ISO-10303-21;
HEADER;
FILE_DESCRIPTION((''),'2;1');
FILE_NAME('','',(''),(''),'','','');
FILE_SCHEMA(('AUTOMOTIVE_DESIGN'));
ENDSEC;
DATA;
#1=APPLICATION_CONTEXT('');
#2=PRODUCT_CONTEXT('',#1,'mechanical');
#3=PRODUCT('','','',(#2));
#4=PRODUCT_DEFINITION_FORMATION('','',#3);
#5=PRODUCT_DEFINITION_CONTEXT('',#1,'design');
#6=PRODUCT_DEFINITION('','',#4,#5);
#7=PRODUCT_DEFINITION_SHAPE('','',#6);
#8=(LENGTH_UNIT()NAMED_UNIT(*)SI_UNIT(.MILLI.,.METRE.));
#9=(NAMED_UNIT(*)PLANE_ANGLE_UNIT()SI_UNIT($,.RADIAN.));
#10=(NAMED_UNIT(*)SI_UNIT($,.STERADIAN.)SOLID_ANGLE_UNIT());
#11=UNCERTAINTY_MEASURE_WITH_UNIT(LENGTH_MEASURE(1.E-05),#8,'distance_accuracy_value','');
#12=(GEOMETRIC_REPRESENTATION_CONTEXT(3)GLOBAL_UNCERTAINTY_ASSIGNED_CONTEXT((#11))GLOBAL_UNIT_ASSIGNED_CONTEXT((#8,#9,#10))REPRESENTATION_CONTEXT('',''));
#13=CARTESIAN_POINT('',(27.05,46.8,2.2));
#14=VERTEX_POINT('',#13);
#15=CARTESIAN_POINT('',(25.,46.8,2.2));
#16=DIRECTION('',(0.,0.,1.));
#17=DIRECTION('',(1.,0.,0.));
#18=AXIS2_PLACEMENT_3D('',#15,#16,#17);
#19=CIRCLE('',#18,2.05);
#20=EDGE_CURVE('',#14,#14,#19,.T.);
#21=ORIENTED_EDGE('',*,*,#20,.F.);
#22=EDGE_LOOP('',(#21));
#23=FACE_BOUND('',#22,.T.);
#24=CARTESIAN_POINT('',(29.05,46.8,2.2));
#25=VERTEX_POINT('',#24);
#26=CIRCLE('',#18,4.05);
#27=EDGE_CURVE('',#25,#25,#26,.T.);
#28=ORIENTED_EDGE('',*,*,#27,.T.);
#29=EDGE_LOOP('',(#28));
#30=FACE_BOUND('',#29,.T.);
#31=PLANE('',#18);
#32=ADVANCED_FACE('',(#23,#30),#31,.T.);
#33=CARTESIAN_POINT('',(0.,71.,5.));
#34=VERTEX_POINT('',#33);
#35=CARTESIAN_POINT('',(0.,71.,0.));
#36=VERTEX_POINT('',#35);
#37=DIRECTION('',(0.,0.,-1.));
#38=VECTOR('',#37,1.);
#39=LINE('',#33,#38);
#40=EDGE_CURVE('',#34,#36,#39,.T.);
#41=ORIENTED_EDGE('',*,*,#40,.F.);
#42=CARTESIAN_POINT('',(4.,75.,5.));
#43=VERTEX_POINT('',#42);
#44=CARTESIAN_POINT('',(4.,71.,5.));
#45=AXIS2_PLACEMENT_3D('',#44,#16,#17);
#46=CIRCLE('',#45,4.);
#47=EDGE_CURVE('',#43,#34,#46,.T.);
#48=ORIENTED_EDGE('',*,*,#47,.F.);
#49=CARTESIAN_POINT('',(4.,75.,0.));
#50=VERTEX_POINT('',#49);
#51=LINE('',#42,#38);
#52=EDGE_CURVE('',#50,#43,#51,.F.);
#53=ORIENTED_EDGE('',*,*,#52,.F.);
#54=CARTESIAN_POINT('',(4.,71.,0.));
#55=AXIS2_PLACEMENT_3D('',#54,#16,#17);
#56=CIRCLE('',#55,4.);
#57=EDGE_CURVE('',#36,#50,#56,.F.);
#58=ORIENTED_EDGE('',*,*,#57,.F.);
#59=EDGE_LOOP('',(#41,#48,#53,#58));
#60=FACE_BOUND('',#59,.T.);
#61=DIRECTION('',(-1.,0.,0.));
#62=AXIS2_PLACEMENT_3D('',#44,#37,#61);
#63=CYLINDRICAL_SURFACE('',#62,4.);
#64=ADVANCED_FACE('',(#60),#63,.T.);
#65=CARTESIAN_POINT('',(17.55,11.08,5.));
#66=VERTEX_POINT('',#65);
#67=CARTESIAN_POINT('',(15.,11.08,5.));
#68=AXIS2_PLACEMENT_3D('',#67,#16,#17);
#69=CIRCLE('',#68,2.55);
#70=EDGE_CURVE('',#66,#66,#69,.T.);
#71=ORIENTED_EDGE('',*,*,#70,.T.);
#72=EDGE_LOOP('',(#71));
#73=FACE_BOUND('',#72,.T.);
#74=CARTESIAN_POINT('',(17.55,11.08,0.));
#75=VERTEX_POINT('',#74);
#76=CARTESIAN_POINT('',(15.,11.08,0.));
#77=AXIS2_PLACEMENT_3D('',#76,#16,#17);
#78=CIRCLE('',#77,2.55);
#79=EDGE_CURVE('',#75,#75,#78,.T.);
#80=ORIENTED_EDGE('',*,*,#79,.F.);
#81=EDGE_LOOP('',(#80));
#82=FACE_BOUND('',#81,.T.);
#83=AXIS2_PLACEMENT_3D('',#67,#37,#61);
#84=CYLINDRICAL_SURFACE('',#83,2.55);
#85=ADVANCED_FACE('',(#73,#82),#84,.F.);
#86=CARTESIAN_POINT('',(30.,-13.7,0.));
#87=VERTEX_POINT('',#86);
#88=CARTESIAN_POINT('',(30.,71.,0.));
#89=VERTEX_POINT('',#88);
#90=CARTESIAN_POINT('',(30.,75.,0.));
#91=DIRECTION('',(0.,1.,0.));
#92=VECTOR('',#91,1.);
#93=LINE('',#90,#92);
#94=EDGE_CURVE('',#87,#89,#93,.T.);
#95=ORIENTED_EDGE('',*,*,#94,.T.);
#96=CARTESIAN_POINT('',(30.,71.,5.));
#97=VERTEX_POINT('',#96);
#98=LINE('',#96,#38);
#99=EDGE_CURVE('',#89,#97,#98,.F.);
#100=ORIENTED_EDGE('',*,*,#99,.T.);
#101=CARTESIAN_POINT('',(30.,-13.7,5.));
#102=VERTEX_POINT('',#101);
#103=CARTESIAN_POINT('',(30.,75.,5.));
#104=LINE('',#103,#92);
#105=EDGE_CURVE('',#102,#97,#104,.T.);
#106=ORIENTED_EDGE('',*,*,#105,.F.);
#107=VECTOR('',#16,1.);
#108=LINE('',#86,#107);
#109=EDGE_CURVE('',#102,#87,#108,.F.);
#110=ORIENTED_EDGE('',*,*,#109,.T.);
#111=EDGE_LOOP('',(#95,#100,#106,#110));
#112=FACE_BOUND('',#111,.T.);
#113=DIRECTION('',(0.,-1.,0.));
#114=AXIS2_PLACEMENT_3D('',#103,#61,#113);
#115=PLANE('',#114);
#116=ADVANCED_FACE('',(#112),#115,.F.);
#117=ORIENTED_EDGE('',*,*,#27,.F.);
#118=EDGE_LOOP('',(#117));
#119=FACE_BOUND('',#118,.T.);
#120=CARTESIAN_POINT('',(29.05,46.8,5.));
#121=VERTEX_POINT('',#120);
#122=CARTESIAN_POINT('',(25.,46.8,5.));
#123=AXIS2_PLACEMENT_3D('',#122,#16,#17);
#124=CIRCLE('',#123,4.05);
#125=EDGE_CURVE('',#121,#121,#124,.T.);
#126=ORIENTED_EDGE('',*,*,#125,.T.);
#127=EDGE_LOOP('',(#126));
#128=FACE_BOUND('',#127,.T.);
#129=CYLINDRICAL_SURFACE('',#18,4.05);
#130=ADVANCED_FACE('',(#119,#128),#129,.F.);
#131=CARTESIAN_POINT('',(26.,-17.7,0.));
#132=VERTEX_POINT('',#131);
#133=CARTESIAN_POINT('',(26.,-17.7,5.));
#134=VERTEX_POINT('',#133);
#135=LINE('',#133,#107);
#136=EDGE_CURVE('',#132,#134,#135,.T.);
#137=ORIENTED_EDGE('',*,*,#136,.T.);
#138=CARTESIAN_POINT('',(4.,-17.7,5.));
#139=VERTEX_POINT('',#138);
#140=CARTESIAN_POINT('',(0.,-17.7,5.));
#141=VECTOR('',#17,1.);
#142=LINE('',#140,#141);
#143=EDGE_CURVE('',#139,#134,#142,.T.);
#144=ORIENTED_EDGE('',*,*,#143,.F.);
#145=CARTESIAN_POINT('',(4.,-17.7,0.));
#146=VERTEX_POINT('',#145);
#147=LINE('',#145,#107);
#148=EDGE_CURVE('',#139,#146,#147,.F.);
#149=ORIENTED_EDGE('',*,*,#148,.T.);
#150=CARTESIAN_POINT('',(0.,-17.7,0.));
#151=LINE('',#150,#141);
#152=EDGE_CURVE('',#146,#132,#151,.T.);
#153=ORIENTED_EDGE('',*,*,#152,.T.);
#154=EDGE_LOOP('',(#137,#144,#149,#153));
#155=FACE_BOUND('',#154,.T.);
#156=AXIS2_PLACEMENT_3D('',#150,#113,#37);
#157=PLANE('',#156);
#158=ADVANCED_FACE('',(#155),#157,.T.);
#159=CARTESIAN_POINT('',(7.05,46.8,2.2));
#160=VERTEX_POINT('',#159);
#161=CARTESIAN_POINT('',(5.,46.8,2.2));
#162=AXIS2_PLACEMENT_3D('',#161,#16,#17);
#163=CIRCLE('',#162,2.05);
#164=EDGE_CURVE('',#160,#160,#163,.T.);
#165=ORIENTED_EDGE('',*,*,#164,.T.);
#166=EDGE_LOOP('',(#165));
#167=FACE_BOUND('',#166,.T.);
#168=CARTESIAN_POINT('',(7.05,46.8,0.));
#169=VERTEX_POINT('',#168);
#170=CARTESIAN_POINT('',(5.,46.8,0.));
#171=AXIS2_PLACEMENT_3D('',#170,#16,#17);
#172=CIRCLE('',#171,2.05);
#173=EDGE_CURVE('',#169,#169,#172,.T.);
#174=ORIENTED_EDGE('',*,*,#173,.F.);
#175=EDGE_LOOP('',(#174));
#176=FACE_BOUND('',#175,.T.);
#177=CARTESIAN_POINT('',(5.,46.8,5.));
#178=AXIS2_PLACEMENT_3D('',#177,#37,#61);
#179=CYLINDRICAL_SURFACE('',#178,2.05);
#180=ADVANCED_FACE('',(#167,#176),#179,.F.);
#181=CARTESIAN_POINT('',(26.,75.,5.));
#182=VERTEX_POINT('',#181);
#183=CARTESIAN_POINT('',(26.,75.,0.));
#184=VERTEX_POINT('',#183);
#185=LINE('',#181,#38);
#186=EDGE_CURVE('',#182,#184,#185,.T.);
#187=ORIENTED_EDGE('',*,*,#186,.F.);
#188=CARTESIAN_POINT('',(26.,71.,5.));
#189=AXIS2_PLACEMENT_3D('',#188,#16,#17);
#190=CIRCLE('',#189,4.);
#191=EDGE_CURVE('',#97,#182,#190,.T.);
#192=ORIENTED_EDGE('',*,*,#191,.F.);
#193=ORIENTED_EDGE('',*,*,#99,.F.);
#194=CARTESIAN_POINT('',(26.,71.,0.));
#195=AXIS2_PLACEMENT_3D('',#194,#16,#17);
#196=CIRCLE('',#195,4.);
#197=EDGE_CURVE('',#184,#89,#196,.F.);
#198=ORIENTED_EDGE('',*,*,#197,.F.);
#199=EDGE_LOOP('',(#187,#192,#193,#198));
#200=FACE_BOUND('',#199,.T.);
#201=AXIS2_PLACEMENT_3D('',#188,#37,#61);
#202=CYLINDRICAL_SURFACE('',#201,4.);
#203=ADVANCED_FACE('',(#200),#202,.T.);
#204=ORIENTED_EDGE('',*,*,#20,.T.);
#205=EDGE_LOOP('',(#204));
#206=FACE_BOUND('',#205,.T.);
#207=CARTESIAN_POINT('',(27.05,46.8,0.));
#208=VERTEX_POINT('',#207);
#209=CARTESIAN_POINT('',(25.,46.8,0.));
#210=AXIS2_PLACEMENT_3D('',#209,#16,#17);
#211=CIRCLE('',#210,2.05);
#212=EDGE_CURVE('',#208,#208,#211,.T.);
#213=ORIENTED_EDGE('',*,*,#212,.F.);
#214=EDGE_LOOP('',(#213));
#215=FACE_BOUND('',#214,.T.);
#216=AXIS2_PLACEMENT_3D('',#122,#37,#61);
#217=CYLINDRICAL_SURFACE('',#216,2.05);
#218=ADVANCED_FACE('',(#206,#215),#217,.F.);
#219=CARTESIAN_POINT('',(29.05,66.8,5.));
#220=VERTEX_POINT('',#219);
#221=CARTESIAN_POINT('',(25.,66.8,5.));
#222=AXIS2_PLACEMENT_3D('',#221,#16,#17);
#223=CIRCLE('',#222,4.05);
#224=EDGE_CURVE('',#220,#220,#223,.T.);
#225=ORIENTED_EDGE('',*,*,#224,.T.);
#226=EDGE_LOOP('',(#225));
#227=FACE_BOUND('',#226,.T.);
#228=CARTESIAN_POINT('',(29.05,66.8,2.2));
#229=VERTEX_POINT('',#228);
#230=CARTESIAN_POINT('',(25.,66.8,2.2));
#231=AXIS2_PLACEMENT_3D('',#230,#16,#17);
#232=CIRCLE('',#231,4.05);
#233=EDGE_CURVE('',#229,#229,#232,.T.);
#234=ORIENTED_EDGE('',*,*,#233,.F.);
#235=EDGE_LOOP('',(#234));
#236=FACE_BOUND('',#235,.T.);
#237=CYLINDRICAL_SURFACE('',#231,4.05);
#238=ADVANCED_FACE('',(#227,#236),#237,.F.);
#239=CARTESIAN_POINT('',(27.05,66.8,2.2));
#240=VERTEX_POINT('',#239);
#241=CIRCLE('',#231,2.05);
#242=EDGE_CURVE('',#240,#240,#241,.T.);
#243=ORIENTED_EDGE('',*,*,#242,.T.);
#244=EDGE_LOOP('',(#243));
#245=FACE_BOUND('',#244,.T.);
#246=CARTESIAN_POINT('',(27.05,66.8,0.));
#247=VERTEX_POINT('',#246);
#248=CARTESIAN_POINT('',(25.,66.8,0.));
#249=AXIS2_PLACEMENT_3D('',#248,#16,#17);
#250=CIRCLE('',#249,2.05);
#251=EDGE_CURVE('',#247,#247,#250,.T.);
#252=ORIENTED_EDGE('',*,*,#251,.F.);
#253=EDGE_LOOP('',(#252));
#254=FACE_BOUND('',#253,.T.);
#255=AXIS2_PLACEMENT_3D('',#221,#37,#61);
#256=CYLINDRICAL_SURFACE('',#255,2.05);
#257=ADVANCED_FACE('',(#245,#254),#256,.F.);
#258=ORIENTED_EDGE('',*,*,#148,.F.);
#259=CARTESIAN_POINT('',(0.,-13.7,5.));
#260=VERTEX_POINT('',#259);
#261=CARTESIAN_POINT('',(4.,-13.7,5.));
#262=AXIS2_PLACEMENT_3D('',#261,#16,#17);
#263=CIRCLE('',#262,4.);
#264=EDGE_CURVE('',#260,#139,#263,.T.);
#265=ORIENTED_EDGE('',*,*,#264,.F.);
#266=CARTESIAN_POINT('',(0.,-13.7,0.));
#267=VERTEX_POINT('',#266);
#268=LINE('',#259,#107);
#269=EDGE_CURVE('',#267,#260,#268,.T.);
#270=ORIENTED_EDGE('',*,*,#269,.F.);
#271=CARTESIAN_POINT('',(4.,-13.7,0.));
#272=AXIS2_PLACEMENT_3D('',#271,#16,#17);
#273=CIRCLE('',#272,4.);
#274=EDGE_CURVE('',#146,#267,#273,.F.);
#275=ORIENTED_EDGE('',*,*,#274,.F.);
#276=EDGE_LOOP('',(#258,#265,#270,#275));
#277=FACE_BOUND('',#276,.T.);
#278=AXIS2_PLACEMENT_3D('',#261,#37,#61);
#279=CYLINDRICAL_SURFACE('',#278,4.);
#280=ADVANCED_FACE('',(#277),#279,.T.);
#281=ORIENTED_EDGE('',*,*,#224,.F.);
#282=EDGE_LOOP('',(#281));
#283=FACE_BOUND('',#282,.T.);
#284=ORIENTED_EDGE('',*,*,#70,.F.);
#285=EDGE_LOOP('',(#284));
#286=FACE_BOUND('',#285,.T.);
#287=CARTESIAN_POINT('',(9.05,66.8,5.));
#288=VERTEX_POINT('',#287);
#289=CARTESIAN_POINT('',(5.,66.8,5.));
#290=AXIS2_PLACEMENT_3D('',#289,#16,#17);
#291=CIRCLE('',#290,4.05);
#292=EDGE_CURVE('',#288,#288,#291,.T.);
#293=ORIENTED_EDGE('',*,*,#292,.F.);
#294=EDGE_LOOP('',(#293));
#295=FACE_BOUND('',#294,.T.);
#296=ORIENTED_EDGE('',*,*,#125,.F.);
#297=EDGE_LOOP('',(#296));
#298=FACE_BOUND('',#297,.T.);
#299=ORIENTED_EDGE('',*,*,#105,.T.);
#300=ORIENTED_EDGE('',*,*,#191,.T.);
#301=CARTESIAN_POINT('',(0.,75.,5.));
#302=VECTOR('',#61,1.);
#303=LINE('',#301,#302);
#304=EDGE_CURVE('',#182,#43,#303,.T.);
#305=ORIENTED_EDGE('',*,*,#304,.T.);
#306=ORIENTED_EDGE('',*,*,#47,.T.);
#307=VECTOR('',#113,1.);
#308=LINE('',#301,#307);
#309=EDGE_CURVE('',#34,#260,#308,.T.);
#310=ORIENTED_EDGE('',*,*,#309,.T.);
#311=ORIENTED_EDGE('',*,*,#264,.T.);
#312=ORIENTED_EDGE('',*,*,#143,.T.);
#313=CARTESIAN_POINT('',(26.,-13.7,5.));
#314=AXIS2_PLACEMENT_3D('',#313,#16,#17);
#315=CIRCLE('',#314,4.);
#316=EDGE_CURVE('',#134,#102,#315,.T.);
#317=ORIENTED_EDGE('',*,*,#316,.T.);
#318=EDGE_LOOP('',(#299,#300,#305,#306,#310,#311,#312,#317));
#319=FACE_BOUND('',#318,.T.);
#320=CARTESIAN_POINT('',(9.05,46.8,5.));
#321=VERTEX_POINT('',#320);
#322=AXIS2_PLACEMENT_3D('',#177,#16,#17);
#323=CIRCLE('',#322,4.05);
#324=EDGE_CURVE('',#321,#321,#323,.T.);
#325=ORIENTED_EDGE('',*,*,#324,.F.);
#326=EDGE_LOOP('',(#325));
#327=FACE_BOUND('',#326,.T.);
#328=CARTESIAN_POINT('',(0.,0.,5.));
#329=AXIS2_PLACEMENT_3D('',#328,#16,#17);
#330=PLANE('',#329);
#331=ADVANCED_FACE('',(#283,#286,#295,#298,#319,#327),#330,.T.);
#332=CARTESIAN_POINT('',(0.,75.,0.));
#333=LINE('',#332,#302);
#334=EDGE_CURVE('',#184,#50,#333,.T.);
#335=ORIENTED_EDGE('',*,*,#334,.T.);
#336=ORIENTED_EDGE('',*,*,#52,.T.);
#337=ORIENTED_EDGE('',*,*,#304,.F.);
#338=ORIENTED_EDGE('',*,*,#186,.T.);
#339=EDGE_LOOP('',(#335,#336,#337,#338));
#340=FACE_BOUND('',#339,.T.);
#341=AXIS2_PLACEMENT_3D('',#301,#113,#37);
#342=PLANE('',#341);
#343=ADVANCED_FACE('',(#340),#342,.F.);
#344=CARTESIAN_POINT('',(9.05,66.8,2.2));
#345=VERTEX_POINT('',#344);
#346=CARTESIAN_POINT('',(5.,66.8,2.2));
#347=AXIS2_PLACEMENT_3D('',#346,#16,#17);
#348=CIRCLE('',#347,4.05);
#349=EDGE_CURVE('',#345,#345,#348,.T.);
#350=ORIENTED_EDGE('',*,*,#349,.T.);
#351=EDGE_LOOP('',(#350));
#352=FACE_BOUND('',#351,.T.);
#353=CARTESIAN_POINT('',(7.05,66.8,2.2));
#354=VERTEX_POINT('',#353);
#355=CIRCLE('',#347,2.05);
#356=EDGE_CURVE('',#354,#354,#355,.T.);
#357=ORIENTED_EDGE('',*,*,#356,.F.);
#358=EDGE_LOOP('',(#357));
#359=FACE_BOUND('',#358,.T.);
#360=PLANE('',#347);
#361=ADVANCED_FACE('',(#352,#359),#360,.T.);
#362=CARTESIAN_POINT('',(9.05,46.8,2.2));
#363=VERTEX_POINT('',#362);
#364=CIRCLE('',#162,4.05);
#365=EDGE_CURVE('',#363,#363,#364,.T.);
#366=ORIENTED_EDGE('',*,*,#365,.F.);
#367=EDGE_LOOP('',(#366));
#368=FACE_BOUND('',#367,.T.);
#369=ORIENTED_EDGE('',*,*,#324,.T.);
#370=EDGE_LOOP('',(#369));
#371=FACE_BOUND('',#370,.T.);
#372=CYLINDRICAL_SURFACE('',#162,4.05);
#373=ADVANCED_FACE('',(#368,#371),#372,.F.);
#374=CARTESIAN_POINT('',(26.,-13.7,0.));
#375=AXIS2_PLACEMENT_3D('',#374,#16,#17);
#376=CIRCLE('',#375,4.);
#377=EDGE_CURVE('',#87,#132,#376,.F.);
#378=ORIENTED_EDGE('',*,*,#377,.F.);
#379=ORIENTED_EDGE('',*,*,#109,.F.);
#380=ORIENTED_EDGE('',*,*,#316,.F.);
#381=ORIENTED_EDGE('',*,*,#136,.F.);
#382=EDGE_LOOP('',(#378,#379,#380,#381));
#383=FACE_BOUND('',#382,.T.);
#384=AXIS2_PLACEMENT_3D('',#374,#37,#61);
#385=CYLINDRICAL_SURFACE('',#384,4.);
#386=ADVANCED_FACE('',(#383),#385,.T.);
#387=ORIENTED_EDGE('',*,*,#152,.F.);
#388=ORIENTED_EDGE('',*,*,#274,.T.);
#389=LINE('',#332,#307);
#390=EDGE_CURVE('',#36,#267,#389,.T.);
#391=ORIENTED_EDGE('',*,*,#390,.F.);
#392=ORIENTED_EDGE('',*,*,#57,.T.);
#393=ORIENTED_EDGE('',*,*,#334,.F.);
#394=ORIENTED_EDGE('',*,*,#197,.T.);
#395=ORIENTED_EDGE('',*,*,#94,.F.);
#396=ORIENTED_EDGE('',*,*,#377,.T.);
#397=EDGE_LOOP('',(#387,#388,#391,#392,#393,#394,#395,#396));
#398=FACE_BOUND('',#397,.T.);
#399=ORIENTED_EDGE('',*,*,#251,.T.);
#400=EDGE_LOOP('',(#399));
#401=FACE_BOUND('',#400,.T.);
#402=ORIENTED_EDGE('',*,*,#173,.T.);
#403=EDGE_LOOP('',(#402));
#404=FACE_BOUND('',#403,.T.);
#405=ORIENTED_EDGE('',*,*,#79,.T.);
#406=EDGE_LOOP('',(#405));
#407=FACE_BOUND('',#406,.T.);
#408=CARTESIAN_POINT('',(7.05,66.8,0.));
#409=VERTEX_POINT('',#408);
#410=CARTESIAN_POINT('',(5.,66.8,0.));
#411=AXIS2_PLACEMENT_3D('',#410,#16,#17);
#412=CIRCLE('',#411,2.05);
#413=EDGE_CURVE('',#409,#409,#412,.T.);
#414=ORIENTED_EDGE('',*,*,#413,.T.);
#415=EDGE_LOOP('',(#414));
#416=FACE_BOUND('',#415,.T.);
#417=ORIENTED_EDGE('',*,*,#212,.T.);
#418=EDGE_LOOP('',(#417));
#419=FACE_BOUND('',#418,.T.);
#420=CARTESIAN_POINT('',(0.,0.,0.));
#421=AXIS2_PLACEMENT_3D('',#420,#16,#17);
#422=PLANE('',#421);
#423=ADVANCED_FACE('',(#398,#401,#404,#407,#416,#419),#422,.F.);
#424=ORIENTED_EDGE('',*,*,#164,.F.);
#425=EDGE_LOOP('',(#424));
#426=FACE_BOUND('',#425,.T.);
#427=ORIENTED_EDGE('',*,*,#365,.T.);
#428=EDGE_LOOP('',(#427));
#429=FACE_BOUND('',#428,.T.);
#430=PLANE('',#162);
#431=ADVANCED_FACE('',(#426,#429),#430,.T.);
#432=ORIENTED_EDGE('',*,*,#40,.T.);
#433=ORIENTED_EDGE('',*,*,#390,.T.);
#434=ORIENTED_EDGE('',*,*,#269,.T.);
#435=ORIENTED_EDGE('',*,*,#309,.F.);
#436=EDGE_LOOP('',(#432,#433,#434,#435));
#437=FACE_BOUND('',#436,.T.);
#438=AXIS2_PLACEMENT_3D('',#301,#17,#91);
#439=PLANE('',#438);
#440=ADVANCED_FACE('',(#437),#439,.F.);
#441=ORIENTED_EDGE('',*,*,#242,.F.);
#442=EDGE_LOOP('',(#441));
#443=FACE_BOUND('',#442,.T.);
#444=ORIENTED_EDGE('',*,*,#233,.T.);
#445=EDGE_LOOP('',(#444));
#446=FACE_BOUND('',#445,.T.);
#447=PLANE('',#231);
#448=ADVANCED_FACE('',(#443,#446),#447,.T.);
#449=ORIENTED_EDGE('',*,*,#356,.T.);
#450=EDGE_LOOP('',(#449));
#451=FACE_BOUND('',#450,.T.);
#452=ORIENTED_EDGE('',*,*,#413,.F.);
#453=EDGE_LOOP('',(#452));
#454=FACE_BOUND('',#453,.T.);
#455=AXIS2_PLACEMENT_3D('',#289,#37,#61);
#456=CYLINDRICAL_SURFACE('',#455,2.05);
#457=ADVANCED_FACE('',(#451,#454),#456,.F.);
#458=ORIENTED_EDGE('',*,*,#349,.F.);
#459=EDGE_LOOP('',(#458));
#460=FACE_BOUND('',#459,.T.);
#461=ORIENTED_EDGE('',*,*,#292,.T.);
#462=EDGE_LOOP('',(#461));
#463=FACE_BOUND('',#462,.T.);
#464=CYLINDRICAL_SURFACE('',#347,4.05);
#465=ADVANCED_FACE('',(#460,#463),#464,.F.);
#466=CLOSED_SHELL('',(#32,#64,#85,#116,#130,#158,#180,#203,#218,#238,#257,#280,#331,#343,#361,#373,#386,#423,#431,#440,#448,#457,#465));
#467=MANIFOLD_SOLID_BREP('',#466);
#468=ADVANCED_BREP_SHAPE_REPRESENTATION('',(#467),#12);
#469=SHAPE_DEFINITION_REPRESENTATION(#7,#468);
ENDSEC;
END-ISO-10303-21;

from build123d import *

# Parameters (mm, degrees)
CROQUIS1_W              = 30
CROQUIS1_H              = 75
CROQUIS1_R              = 2.05
CROQUIS1_R_2            = 2.55
SALIENTE_EXTRUIR1_DEPTH = 5
CROQUIS4_R              = 4.05
CORTAR_EXTRUIR1_DEPTH   = 2.8
CROQUIS5_W              = 30
CROQUIS5_H              = 17.7
SALIENTE_EXTRUIR2_DEPTH = 5
REDONDEO1_R             = 4


with BuildPart() as part:
    # Croquis1 → Saliente-Extruir1 (new body)
    with BuildSketch(Plane.XY):
        with Locations((15, 37.5)):
            Rectangle(CROQUIS1_W, CROQUIS1_H)
        with Locations((5, 66.8)):
            Circle(CROQUIS1_R, mode=Mode.SUBTRACT)
        with Locations((25, 66.8)):
            Circle(CROQUIS1_R, mode=Mode.SUBTRACT)
        with Locations((25, 46.8)):
            Circle(CROQUIS1_R, mode=Mode.SUBTRACT)
        with Locations((5, 46.8)):
            Circle(CROQUIS1_R, mode=Mode.SUBTRACT)
        with Locations((15, 11.08)):
            Circle(CROQUIS1_R_2, mode=Mode.SUBTRACT)
    extrude(amount=SALIENTE_EXTRUIR1_DEPTH)

    # Croquis4 → Cortar-Extruir1 (cut)
    with BuildSketch(Plane.XY.offset(5)):
        with Locations((5, 66.8)):
            Circle(CROQUIS4_R)
        with Locations((5, 46.8)):
            Circle(CROQUIS4_R)
        with Locations((25, 46.8)):
            Circle(CROQUIS4_R)
        with Locations((25, 66.8)):
            Circle(CROQUIS4_R)
    extrude(amount=-CORTAR_EXTRUIR1_DEPTH, mode=Mode.SUBTRACT)

    # Croquis5 → Saliente-Extruir2 (add, through all)
    with BuildSketch(Plane.XY.offset(5)):
        with Locations((15, -8.85)):
            Rectangle(CROQUIS5_W, CROQUIS5_H)
    extrude(amount=-SALIENTE_EXTRUIR2_DEPTH)

    # Redondeo1
    redondeo1_edges = [part.edges().sort_by_distance(p)[0] for p in [
        (0, -17.7, 2.5),
        (30, -17.7, 2.5),
        (0, 75, 2.5),
        (30, 75, 2.5),
    ]]
    fillet(redondeo1_edges, radius=REDONDEO1_R)


solid = part.part
